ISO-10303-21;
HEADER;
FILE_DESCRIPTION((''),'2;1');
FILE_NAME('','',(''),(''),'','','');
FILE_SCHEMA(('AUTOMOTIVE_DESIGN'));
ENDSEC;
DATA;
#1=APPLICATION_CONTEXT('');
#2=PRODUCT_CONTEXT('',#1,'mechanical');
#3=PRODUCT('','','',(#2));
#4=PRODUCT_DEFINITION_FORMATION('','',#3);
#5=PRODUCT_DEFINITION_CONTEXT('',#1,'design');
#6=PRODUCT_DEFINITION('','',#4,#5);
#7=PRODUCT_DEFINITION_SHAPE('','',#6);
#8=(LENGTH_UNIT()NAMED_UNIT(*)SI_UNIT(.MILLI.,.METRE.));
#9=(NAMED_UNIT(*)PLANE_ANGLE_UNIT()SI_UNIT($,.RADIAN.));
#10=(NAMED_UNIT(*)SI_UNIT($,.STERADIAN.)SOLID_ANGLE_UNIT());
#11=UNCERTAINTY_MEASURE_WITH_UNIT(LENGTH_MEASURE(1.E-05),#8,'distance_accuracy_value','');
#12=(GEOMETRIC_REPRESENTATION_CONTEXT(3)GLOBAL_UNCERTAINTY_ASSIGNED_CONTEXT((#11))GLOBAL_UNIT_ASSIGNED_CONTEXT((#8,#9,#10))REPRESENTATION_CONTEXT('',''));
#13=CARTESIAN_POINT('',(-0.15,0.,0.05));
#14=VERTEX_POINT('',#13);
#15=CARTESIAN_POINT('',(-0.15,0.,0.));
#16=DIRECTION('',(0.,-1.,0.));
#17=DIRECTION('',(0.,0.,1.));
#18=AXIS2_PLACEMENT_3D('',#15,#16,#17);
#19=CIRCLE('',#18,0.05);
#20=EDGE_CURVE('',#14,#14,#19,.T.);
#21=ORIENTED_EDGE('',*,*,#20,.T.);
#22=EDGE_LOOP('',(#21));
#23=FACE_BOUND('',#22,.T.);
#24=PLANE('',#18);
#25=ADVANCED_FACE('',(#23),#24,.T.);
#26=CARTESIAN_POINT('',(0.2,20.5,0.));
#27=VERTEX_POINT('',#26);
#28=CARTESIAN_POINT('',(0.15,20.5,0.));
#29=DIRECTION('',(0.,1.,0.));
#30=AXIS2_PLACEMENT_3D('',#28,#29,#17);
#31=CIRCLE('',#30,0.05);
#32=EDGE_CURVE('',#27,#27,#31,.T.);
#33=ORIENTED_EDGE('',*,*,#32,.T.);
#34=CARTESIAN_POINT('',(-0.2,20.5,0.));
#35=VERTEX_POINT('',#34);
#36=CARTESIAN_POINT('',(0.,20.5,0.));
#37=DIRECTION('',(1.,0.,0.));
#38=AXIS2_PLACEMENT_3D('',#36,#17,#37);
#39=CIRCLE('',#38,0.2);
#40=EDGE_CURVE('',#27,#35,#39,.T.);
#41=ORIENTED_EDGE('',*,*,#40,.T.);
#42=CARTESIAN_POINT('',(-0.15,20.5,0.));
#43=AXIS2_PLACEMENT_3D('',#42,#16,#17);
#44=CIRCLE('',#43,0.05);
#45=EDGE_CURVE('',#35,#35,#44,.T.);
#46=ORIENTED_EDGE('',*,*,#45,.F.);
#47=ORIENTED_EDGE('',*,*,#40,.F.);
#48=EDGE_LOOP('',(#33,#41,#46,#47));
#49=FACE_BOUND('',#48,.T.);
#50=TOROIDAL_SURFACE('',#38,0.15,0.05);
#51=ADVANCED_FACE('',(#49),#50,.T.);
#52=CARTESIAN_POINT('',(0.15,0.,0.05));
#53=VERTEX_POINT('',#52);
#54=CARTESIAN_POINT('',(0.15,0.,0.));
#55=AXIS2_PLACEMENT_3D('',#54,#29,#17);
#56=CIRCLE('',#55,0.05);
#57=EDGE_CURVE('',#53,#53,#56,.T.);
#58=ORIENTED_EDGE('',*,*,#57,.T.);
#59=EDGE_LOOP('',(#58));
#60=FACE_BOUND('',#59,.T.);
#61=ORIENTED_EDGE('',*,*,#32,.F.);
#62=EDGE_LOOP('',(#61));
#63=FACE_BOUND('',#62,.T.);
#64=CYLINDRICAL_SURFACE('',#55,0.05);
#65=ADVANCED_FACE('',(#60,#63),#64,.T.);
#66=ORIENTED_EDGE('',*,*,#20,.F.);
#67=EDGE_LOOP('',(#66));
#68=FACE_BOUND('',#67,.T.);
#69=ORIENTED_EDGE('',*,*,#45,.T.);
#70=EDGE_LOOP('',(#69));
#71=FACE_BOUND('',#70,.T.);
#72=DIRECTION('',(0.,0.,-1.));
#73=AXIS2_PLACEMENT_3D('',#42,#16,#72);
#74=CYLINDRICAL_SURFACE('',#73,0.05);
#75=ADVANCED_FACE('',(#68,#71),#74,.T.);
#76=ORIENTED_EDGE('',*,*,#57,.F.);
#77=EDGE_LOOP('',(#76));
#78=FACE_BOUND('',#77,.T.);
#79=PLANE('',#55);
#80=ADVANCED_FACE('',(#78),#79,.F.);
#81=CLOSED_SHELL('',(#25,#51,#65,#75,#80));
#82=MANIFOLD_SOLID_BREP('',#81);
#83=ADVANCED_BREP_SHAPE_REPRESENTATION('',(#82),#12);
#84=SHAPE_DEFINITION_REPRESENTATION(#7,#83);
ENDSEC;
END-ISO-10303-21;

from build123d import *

# Parameters (mm, degrees)
SKETCH1_R = 0.05


with BuildPart() as part:
    # Sweep1: sweep along a path in Sketch2
    with BuildLine(Plane.XY) as sweep1_path:
        Line((-0.15, 0), (-0.15, 20.5))
        ThreePointArc((-0.15, 20.5), (0, 20.65), (0.15, 20.5))
        Line((0.15, 20.5), (0.15, 0))
    # Sketch1 → Sweep1 (sweep)
    with BuildSketch(Plane(origin=(0, 0, 0), x_dir=(1, 0, 0), z_dir=(0, 1, 0))):
        with Locations((0.15, 0)):
            Circle(SKETCH1_R)
    sweep(path=sweep1_path.line)


solid = part.part
